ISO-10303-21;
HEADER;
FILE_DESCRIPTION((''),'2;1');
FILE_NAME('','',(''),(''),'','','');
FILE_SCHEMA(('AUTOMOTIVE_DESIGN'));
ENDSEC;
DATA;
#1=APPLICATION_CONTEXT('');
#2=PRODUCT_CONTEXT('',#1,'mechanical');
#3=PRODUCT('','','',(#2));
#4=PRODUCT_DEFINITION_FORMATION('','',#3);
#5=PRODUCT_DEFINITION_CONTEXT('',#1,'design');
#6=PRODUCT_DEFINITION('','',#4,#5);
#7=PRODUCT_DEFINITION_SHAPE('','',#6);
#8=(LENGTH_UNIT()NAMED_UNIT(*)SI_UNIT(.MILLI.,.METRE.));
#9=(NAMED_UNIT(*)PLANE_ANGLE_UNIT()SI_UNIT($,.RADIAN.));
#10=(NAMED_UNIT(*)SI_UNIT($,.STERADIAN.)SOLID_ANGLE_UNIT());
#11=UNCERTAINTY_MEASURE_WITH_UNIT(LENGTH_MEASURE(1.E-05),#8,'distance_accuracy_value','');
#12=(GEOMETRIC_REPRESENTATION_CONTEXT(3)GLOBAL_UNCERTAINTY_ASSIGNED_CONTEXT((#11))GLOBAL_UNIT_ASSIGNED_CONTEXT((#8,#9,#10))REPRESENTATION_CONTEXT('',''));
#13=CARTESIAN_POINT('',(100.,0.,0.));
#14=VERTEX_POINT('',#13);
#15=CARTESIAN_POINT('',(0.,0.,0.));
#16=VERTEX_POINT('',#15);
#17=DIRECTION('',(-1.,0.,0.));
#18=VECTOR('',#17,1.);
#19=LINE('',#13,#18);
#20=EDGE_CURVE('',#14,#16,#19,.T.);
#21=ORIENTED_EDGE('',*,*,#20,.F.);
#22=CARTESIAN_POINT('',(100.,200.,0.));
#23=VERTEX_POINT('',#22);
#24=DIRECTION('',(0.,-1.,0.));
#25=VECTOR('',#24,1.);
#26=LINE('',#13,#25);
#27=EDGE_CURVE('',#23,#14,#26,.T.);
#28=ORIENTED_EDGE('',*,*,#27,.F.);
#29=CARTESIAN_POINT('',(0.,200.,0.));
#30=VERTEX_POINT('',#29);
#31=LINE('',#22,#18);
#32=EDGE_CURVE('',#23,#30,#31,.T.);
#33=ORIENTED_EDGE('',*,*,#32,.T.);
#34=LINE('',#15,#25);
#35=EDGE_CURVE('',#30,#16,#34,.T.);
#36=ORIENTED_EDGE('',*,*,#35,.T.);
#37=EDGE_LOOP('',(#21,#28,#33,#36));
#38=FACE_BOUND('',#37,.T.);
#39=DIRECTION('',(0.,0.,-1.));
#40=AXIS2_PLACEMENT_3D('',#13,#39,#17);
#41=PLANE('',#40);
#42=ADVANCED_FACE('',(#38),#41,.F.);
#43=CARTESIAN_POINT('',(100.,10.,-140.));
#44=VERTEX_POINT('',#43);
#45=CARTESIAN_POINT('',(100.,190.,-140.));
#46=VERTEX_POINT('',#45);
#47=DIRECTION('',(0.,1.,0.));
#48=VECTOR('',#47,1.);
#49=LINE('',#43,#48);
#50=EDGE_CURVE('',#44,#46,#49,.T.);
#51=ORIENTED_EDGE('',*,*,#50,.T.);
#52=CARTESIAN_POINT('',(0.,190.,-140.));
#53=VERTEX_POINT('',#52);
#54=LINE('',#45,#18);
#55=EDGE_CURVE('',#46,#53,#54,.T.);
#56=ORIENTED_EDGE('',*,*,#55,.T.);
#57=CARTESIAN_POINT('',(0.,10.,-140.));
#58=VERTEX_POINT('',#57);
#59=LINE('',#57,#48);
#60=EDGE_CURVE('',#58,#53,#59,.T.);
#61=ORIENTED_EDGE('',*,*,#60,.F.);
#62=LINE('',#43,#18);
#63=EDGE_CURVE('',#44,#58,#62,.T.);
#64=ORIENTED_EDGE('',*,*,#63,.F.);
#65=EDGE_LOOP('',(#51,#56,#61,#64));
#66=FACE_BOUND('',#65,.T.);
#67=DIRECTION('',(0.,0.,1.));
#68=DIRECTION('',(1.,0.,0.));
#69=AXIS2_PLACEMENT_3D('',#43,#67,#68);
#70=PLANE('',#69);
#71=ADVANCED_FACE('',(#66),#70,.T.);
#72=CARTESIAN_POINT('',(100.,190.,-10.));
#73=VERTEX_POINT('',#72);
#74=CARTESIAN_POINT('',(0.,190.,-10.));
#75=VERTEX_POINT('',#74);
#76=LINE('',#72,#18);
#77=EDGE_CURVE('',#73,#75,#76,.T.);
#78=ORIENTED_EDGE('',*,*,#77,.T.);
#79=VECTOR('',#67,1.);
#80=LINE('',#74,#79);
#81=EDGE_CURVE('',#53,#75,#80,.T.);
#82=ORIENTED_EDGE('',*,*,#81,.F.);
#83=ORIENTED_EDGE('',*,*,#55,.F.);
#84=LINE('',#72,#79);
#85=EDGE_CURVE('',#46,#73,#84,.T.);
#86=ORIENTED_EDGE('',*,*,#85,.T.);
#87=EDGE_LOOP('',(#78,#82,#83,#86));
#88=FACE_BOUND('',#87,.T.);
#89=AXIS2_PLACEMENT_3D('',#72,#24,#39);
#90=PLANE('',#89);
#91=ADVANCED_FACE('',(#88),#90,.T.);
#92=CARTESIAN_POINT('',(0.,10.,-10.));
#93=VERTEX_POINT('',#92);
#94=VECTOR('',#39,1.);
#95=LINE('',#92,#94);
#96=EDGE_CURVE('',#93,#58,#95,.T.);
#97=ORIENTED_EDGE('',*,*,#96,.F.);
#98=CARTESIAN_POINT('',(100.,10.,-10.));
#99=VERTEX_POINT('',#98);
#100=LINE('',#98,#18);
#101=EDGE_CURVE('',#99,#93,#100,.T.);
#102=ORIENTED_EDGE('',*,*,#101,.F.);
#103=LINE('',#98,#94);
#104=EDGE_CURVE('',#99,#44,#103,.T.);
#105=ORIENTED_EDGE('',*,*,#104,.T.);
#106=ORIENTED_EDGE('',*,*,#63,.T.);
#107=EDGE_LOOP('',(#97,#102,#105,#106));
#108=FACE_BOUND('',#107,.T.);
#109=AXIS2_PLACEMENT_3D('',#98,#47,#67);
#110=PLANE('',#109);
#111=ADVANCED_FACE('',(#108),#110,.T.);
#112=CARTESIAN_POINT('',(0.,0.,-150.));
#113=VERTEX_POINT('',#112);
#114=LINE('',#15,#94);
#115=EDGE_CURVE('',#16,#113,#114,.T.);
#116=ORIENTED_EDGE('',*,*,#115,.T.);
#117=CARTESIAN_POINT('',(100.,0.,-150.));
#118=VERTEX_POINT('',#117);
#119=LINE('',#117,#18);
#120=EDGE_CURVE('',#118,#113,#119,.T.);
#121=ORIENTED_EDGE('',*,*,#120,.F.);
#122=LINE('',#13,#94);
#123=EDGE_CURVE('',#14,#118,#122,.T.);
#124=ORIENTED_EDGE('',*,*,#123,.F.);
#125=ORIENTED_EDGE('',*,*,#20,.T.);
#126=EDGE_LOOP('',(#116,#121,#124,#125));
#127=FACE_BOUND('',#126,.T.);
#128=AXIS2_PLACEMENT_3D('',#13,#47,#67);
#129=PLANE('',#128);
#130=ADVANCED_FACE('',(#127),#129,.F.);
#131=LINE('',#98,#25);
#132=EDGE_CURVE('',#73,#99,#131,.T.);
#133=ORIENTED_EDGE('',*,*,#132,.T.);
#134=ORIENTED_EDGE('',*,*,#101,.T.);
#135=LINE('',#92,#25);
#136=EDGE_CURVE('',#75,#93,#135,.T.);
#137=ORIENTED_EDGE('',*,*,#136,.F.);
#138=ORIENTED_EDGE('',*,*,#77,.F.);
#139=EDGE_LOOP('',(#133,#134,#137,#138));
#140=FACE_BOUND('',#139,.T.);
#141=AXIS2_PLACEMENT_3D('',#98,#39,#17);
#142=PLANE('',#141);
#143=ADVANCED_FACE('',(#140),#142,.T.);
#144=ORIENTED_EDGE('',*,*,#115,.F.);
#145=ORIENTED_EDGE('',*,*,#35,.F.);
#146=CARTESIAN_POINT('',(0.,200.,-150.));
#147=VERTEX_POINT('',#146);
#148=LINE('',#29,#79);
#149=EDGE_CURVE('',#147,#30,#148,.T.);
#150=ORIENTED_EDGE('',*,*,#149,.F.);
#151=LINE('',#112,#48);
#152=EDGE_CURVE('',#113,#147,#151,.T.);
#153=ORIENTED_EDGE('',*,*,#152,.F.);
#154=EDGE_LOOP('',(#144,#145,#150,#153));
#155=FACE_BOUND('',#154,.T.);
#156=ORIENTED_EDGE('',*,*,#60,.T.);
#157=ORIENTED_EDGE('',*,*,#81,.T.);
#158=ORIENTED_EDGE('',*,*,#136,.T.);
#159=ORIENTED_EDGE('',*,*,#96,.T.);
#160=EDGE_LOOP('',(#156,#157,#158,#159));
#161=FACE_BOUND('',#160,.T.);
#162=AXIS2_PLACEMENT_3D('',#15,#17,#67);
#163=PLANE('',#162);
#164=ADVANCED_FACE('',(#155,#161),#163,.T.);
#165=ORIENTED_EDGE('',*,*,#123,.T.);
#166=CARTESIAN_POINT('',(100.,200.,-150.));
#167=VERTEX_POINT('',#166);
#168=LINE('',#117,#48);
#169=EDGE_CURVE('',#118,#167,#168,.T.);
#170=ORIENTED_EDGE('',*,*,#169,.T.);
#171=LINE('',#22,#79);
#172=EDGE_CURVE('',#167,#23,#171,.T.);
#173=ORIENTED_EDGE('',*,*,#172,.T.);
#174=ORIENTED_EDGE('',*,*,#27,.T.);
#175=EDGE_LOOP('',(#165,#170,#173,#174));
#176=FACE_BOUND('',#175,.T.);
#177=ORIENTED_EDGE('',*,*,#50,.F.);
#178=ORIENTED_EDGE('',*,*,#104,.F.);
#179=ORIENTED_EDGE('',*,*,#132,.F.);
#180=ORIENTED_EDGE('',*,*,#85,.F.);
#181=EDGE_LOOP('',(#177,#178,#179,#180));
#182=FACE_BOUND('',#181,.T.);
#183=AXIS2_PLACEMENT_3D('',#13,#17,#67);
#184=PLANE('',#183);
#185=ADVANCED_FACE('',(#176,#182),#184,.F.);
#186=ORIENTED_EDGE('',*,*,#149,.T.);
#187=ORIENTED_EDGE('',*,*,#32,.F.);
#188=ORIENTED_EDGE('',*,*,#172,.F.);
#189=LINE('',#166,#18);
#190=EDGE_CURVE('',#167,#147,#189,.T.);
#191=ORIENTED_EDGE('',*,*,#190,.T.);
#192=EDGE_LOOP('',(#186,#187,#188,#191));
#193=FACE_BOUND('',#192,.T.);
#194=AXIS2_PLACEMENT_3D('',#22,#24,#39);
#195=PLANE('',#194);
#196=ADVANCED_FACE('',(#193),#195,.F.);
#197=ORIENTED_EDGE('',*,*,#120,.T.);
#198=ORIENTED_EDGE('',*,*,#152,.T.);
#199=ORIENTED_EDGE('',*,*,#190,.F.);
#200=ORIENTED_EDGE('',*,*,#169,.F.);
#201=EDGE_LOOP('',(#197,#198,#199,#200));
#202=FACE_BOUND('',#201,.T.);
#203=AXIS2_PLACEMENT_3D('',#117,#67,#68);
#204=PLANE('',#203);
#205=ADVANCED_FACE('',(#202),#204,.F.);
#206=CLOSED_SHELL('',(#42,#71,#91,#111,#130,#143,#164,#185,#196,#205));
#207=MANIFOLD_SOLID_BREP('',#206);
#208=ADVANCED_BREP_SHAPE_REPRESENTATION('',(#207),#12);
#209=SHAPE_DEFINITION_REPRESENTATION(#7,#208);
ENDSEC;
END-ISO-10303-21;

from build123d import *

# Parameters (mm, degrees)
SKETCH_1_W      = 150
SKETCH_1_H      = 200
SKETCH_1_W_2    = 130
SKETCH_1_H_2    = 180
EXTRUDE_1_DEPTH = 100


with BuildPart() as part:
    # Эскиз1 → Бобышка-Вытянуть1 (new body)
    with BuildSketch(Plane(origin=(0, 0, 0), x_dir=(0, 0, -1), z_dir=(1, 0, 0))):
        with Locations((75, 100)):
            Rectangle(SKETCH_1_W, SKETCH_1_H)
        with Locations((75, 100)):
            Rectangle(SKETCH_1_W_2, SKETCH_1_H_2, mode=Mode.SUBTRACT)
    extrude(amount=EXTRUDE_1_DEPTH)


solid = part.part
